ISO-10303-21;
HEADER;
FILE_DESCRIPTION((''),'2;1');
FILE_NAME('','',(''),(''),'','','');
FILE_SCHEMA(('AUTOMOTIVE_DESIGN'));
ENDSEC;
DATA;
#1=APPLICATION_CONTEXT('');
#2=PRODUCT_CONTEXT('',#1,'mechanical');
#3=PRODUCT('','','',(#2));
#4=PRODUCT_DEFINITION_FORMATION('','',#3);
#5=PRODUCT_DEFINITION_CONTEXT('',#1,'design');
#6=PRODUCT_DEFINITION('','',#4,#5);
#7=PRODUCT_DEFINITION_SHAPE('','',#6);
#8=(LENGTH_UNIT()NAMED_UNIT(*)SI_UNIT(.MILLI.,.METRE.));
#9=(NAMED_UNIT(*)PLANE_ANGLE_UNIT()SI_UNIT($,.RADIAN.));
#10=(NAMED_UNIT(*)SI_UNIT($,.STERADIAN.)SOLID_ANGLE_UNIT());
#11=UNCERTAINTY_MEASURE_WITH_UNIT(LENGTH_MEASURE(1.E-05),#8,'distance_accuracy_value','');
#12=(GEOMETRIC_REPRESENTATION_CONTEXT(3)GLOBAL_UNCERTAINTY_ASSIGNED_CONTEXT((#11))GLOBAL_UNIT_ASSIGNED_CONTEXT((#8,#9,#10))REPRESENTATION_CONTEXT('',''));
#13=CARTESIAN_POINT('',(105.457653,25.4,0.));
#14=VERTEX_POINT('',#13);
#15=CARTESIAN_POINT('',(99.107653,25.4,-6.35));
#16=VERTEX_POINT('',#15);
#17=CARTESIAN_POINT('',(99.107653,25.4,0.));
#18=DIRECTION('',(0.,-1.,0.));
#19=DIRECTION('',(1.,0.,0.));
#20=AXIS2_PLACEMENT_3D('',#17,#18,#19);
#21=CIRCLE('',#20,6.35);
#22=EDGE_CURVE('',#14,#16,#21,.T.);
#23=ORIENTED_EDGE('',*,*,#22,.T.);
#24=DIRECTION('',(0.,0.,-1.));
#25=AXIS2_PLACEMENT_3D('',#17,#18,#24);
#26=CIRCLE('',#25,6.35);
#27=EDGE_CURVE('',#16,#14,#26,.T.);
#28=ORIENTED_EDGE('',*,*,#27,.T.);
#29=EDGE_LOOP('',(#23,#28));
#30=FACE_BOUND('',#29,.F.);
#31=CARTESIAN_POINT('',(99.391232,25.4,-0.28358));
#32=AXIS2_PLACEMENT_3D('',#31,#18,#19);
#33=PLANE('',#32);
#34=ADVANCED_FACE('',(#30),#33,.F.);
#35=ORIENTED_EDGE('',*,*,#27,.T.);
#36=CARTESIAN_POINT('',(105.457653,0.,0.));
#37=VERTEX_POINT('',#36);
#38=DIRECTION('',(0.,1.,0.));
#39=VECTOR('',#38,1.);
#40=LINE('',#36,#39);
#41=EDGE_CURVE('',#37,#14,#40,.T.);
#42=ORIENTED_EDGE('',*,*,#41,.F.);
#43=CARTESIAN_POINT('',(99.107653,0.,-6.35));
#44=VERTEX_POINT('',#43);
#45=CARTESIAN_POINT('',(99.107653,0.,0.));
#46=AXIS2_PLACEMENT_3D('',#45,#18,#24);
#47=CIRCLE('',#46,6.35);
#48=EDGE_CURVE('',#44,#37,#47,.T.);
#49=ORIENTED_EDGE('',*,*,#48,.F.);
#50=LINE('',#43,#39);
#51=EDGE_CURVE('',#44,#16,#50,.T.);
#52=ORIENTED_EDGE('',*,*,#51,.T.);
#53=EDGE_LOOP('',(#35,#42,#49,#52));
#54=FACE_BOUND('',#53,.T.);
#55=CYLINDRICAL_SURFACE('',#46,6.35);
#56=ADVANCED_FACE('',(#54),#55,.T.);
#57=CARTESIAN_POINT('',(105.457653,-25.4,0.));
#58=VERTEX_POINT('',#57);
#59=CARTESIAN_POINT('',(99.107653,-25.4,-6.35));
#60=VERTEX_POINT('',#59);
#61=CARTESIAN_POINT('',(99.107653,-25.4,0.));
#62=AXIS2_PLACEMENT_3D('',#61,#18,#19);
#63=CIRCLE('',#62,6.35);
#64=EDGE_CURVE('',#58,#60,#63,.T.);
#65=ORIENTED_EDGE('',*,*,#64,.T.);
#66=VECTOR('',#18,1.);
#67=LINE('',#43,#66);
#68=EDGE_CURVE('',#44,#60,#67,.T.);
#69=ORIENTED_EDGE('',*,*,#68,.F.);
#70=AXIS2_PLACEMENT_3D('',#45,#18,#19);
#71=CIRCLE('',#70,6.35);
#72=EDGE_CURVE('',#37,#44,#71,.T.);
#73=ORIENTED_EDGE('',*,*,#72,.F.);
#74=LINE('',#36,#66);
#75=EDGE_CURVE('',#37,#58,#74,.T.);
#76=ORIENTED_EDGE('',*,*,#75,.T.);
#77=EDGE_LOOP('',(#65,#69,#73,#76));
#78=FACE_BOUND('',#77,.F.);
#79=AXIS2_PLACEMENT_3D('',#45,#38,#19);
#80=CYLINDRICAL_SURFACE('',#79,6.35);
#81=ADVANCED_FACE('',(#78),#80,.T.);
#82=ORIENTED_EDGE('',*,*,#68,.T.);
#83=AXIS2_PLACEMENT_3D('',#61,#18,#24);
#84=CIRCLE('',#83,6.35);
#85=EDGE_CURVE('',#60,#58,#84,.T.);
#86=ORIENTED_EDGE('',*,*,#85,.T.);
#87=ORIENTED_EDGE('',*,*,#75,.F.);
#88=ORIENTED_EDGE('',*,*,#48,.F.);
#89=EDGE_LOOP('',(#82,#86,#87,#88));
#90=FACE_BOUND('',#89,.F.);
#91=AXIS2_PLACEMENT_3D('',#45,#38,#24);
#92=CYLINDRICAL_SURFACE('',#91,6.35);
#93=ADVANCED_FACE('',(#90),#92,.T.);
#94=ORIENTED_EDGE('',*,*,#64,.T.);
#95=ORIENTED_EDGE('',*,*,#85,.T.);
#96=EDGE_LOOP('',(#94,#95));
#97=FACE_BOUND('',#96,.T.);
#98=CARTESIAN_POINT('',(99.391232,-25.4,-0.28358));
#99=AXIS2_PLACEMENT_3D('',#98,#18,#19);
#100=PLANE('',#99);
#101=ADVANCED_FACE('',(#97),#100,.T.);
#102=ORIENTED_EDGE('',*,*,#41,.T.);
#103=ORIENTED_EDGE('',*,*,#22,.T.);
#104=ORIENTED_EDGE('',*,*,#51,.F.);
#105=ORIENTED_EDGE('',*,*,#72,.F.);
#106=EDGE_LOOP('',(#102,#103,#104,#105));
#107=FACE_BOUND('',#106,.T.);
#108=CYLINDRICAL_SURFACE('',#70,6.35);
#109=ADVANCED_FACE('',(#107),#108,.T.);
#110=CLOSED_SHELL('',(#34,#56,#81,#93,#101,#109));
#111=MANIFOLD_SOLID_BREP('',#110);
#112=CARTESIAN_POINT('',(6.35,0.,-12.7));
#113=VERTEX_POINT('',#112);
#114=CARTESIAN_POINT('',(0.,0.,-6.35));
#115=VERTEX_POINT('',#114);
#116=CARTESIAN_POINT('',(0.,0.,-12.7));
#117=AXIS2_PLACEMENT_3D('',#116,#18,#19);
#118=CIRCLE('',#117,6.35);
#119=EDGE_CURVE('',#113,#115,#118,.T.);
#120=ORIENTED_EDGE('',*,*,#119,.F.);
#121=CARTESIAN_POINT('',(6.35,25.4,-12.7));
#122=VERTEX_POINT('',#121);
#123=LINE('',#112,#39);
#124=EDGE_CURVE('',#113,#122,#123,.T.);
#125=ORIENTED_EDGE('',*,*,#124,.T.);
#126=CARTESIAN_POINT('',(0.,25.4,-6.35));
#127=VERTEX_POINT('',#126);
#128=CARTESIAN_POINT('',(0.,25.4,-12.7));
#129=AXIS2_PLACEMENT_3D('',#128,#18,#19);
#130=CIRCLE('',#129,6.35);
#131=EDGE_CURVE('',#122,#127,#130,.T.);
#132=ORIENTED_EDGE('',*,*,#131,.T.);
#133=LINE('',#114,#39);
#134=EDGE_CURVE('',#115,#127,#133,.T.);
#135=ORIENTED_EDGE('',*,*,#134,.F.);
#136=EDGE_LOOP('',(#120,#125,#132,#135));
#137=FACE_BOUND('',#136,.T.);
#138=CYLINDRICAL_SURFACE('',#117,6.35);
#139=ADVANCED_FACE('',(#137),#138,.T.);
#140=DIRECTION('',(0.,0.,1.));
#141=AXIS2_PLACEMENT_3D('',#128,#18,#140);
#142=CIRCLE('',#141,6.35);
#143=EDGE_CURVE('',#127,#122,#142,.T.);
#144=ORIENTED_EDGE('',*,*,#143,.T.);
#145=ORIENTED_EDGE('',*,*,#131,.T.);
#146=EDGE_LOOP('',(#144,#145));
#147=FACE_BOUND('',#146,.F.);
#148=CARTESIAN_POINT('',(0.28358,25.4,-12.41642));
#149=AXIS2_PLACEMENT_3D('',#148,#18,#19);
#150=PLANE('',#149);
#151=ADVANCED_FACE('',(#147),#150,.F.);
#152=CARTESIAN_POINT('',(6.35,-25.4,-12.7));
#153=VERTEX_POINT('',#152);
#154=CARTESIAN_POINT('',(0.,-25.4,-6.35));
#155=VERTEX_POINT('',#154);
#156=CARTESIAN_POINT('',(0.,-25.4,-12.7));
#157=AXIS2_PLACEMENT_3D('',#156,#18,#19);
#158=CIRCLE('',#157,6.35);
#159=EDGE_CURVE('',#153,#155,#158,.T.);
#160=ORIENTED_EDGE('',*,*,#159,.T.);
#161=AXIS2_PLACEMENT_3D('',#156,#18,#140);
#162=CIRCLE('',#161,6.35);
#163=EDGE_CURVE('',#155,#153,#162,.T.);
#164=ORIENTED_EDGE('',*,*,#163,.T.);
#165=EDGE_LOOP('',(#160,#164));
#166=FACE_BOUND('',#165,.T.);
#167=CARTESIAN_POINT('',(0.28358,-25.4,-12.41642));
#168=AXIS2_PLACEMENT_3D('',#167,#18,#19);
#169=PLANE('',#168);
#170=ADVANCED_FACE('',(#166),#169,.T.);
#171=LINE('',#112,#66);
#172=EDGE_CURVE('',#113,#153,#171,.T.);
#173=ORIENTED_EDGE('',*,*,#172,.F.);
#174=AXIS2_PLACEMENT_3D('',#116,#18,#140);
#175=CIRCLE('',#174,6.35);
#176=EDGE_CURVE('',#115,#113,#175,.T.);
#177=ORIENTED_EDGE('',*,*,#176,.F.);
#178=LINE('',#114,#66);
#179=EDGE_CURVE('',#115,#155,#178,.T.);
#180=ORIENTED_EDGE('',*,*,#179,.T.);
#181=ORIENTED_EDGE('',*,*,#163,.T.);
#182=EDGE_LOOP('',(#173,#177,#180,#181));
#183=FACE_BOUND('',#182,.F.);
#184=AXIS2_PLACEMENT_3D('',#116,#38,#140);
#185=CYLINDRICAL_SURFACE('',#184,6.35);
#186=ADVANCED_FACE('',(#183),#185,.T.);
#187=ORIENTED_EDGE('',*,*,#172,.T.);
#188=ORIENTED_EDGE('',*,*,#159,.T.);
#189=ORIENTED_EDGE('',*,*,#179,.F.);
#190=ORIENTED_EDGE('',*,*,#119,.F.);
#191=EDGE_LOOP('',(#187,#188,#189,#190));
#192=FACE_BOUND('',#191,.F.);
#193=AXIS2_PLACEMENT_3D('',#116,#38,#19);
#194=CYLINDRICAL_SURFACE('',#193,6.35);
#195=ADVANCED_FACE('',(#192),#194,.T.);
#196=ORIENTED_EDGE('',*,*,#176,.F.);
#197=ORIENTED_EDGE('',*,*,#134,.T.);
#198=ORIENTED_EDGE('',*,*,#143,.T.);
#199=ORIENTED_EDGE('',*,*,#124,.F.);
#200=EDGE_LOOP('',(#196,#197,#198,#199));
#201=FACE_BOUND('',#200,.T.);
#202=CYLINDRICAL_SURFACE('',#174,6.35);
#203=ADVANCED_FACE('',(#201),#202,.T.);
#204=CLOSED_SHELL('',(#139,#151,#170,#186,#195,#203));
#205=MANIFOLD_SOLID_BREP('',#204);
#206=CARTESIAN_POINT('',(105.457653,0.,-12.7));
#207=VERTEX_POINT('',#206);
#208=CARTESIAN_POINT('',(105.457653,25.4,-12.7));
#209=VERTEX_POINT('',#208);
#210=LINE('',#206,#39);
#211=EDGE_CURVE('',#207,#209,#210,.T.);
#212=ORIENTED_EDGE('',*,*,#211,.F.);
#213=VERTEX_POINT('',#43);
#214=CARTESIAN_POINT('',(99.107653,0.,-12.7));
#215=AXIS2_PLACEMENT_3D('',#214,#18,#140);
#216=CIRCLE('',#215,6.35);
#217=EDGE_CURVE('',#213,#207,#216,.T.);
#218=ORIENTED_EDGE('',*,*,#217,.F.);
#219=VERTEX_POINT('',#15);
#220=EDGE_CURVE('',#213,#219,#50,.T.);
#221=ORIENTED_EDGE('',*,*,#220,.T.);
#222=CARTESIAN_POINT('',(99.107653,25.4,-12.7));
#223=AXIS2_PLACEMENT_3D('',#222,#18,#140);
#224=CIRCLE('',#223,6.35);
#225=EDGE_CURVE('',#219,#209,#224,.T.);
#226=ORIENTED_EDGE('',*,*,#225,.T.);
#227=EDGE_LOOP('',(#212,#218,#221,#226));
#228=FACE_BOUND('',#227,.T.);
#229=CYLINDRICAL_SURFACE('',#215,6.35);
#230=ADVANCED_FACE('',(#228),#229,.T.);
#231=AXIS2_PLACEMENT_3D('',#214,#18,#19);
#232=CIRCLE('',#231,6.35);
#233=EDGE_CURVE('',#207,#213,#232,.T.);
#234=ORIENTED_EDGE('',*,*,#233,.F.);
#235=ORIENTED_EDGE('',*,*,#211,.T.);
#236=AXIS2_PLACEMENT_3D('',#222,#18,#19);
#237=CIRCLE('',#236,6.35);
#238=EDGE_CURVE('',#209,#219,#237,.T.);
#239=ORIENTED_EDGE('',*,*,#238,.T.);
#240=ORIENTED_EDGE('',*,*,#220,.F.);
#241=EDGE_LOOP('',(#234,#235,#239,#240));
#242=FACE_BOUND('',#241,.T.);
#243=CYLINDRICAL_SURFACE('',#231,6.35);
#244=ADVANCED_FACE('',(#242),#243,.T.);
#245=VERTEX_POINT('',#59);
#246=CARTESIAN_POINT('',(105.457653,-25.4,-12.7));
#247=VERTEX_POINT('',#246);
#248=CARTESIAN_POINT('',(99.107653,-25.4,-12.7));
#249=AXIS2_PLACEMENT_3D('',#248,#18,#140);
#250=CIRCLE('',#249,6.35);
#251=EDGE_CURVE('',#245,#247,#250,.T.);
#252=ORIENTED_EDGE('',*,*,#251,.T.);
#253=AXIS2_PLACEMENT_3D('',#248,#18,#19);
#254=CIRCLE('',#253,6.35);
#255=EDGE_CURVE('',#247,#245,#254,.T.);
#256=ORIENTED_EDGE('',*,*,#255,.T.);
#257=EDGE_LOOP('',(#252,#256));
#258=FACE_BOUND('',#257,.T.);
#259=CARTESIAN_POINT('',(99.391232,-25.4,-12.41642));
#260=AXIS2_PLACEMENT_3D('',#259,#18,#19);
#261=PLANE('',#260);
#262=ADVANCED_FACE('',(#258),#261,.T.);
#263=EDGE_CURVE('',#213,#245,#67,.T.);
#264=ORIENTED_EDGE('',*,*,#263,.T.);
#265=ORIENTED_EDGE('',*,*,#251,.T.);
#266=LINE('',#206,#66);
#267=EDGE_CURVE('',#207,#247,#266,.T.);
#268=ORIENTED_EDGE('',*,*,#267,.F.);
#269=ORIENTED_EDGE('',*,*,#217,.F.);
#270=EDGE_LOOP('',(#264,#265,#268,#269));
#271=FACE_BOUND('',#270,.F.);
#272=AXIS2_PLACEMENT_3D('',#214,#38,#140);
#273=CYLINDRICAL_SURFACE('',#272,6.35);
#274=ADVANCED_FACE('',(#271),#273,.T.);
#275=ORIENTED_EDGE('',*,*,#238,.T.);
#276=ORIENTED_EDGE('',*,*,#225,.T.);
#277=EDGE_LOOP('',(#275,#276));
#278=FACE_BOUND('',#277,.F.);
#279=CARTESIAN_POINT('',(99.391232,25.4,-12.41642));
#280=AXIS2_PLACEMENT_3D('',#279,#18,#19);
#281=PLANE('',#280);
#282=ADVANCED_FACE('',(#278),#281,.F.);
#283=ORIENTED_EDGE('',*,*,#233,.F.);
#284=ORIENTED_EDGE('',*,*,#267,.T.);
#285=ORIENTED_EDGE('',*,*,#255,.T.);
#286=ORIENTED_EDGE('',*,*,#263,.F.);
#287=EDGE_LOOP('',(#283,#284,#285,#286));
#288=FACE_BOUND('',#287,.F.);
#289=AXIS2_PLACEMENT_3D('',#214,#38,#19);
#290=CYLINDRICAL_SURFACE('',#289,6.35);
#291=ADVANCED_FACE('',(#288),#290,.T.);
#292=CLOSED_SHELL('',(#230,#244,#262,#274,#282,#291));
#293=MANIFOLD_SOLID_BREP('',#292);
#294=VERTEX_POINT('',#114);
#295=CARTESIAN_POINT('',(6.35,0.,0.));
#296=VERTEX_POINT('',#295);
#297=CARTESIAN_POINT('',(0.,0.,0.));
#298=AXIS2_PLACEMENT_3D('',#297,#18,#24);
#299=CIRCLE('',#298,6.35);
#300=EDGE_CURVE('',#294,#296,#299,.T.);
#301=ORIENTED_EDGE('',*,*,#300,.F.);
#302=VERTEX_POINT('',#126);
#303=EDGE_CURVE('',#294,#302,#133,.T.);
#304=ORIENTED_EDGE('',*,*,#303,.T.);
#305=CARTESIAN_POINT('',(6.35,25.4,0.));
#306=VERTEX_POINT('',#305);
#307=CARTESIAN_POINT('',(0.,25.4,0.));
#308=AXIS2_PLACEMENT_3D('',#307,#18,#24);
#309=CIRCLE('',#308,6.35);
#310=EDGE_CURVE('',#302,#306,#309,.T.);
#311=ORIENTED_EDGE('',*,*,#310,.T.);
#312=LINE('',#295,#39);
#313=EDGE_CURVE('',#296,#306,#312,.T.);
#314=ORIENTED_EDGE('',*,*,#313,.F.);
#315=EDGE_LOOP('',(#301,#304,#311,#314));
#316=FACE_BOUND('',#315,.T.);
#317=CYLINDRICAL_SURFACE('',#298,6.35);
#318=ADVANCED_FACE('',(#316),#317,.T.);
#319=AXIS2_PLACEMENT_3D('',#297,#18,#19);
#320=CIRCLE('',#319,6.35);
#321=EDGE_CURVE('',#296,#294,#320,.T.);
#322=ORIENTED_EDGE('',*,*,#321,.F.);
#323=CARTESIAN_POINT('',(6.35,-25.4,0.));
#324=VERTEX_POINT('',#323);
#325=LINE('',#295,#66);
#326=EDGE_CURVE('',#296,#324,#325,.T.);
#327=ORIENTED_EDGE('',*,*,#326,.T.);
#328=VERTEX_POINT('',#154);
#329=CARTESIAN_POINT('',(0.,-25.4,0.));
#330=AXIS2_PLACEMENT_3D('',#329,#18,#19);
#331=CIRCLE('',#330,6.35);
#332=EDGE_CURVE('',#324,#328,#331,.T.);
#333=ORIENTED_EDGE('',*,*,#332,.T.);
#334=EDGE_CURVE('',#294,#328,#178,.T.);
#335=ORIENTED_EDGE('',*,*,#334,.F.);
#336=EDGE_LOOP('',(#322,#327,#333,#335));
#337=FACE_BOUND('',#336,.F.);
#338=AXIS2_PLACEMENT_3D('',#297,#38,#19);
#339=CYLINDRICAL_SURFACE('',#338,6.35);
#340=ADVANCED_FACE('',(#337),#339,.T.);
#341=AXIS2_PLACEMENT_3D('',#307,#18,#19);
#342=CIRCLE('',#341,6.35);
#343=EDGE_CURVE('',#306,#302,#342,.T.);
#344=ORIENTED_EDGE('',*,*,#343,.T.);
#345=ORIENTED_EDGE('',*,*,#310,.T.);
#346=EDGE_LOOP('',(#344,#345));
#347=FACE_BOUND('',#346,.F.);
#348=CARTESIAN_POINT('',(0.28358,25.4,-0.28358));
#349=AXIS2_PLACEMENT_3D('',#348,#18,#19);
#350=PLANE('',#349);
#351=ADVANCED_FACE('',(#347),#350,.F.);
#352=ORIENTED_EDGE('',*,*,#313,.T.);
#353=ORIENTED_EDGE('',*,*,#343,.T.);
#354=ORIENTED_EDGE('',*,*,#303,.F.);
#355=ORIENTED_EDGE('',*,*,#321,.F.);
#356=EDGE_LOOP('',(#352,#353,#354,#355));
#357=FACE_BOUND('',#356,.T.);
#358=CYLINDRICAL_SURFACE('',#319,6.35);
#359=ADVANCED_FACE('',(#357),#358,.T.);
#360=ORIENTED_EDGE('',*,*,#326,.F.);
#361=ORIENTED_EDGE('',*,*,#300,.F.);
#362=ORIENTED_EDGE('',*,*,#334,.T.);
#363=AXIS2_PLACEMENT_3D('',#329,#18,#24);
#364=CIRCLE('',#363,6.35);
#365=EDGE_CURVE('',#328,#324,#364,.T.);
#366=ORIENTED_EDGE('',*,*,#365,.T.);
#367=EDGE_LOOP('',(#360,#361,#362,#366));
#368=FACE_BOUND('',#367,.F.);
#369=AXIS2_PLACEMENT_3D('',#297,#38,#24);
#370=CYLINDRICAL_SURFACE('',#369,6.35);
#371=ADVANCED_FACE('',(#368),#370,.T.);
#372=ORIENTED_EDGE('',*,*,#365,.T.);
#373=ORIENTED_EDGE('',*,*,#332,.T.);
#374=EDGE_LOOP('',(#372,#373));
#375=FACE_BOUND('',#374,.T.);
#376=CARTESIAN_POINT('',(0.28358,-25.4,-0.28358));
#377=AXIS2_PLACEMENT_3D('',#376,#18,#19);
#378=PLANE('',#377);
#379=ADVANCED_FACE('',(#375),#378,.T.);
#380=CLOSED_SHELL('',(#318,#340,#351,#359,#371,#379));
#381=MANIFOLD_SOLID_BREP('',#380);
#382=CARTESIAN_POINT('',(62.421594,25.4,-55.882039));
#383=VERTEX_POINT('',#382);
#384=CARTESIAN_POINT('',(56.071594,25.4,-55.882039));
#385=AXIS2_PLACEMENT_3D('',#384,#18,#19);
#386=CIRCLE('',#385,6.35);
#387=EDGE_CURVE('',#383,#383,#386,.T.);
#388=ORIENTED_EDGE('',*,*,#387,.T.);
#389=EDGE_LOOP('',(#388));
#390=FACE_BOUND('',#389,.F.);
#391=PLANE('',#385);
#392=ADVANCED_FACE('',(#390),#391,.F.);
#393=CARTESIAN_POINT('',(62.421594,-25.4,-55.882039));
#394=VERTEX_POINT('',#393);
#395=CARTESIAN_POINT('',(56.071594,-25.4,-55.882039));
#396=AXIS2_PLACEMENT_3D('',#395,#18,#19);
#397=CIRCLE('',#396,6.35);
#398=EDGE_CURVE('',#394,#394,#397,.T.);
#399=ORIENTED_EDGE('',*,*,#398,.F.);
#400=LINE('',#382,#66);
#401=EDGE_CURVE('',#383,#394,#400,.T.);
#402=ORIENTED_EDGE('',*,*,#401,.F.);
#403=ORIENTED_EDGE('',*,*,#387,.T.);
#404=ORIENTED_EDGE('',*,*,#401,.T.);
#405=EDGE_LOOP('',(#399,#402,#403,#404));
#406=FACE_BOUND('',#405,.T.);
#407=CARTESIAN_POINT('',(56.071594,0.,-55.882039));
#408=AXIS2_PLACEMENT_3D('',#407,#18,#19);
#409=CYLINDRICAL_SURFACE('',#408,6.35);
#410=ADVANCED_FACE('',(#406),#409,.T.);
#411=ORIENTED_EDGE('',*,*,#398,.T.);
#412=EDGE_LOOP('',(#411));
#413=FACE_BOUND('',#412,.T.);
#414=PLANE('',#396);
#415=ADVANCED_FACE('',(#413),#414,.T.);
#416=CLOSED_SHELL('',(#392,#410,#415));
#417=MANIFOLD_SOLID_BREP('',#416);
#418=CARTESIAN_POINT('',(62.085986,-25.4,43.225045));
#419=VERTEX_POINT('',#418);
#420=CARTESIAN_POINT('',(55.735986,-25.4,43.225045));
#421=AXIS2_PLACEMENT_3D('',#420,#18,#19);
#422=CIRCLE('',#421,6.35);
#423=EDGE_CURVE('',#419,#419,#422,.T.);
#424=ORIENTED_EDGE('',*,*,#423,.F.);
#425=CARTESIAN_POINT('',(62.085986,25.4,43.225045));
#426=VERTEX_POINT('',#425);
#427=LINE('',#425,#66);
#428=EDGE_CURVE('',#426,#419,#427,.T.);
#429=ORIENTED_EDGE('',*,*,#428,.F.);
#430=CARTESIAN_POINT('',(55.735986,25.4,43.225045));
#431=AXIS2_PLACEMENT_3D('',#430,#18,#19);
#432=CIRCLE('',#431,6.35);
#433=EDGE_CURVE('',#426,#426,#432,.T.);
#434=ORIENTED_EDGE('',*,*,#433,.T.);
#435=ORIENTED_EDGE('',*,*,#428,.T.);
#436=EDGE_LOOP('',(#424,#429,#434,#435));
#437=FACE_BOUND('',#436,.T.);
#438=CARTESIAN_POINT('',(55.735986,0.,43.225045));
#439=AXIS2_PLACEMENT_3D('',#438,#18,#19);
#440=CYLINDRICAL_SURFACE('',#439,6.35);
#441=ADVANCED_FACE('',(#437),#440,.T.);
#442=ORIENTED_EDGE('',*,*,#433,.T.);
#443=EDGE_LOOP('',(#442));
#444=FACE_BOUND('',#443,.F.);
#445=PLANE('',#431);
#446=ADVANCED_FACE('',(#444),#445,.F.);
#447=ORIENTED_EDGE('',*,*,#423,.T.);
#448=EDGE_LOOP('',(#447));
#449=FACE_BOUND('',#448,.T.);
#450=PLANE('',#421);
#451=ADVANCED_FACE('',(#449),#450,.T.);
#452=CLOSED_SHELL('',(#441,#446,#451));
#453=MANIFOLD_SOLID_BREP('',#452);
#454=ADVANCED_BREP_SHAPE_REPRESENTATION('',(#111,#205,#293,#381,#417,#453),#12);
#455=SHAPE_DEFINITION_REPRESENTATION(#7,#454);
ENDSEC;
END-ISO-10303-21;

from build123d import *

# Parameters (mm, degrees)
F1_DEPTH = 25.4
F0_R     = 6.35


with BuildPart() as f1:
    # F0 (on Front) → F1 (new body, symmetric)
    with BuildSketch(Plane.XZ):
        with BuildLine():
            ThreePointArc((0, -6.35), (4.4901280605, -4.4901280605), (6.35, 0))
            ThreePointArc((6.35, 0), (-4.4901280605, 4.4901280605), (0, -6.35))
        make_face()
    extrude(amount=F1_DEPTH, both=True)


with BuildPart() as f1b:
    # F0 (on Front) → F1, piece 2 (new body, symmetric)
    with BuildSketch(Plane.XZ):
        with BuildLine():
            ThreePointArc((6.35, -12.7), (4.4901280605, -8.2098719395), (0, -6.35))
            ThreePointArc((0, -6.35), (-4.4901280605, -17.1901280605), (6.35, -12.7))
        make_face()
    extrude(amount=F1_DEPTH, both=True)


with BuildPart() as f1c:
    # F0 (on Front) → F1, piece 3 (new body, symmetric)
    with BuildSketch(Plane.XZ):
        with Locations((56.0715944443, -55.8820392913)):
            Circle(F0_R)
    extrude(amount=F1_DEPTH, both=True)


with BuildPart() as f1d:
    # F0 (on Front) → F1, piece 4 (new body, symmetric)
    with BuildSketch(Plane.XZ):
        with BuildLine():
            ThreePointArc((99.1076529026, -6.35), (94.6175248421, -17.1901280605), (105.4576529026, -12.7))
            ThreePointArc((105.4576529026, -12.7), (103.5977809631, -8.2098719395), (99.1076529026, -6.35))
        make_face()
    extrude(amount=F1_DEPTH, both=True)


with BuildPart() as f1e:
    # F0 (on Front) → F1, piece 5 (new body, symmetric)
    with BuildSketch(Plane.XZ):
        with BuildLine():
            ThreePointArc((105.4576529026, 0), (94.6175248421, 4.4901280605), (99.1076529026, -6.35))
            ThreePointArc((99.1076529026, -6.35), (103.5977809631, -4.4901280605), (105.4576529026, 0))
        make_face()
    extrude(amount=F1_DEPTH, both=True)


with BuildPart() as f1f:
    # F0 (on Front) → F1, piece 6 (new body, symmetric)
    with BuildSketch(Plane.XZ):
        with Locations((55.7359856422, 43.2250453727)):
            Circle(F0_R)
    extrude(amount=F1_DEPTH, both=True)


solid = Compound([f1.part, f1b.part, f1c.part, f1d.part, f1e.part, f1f.part])
